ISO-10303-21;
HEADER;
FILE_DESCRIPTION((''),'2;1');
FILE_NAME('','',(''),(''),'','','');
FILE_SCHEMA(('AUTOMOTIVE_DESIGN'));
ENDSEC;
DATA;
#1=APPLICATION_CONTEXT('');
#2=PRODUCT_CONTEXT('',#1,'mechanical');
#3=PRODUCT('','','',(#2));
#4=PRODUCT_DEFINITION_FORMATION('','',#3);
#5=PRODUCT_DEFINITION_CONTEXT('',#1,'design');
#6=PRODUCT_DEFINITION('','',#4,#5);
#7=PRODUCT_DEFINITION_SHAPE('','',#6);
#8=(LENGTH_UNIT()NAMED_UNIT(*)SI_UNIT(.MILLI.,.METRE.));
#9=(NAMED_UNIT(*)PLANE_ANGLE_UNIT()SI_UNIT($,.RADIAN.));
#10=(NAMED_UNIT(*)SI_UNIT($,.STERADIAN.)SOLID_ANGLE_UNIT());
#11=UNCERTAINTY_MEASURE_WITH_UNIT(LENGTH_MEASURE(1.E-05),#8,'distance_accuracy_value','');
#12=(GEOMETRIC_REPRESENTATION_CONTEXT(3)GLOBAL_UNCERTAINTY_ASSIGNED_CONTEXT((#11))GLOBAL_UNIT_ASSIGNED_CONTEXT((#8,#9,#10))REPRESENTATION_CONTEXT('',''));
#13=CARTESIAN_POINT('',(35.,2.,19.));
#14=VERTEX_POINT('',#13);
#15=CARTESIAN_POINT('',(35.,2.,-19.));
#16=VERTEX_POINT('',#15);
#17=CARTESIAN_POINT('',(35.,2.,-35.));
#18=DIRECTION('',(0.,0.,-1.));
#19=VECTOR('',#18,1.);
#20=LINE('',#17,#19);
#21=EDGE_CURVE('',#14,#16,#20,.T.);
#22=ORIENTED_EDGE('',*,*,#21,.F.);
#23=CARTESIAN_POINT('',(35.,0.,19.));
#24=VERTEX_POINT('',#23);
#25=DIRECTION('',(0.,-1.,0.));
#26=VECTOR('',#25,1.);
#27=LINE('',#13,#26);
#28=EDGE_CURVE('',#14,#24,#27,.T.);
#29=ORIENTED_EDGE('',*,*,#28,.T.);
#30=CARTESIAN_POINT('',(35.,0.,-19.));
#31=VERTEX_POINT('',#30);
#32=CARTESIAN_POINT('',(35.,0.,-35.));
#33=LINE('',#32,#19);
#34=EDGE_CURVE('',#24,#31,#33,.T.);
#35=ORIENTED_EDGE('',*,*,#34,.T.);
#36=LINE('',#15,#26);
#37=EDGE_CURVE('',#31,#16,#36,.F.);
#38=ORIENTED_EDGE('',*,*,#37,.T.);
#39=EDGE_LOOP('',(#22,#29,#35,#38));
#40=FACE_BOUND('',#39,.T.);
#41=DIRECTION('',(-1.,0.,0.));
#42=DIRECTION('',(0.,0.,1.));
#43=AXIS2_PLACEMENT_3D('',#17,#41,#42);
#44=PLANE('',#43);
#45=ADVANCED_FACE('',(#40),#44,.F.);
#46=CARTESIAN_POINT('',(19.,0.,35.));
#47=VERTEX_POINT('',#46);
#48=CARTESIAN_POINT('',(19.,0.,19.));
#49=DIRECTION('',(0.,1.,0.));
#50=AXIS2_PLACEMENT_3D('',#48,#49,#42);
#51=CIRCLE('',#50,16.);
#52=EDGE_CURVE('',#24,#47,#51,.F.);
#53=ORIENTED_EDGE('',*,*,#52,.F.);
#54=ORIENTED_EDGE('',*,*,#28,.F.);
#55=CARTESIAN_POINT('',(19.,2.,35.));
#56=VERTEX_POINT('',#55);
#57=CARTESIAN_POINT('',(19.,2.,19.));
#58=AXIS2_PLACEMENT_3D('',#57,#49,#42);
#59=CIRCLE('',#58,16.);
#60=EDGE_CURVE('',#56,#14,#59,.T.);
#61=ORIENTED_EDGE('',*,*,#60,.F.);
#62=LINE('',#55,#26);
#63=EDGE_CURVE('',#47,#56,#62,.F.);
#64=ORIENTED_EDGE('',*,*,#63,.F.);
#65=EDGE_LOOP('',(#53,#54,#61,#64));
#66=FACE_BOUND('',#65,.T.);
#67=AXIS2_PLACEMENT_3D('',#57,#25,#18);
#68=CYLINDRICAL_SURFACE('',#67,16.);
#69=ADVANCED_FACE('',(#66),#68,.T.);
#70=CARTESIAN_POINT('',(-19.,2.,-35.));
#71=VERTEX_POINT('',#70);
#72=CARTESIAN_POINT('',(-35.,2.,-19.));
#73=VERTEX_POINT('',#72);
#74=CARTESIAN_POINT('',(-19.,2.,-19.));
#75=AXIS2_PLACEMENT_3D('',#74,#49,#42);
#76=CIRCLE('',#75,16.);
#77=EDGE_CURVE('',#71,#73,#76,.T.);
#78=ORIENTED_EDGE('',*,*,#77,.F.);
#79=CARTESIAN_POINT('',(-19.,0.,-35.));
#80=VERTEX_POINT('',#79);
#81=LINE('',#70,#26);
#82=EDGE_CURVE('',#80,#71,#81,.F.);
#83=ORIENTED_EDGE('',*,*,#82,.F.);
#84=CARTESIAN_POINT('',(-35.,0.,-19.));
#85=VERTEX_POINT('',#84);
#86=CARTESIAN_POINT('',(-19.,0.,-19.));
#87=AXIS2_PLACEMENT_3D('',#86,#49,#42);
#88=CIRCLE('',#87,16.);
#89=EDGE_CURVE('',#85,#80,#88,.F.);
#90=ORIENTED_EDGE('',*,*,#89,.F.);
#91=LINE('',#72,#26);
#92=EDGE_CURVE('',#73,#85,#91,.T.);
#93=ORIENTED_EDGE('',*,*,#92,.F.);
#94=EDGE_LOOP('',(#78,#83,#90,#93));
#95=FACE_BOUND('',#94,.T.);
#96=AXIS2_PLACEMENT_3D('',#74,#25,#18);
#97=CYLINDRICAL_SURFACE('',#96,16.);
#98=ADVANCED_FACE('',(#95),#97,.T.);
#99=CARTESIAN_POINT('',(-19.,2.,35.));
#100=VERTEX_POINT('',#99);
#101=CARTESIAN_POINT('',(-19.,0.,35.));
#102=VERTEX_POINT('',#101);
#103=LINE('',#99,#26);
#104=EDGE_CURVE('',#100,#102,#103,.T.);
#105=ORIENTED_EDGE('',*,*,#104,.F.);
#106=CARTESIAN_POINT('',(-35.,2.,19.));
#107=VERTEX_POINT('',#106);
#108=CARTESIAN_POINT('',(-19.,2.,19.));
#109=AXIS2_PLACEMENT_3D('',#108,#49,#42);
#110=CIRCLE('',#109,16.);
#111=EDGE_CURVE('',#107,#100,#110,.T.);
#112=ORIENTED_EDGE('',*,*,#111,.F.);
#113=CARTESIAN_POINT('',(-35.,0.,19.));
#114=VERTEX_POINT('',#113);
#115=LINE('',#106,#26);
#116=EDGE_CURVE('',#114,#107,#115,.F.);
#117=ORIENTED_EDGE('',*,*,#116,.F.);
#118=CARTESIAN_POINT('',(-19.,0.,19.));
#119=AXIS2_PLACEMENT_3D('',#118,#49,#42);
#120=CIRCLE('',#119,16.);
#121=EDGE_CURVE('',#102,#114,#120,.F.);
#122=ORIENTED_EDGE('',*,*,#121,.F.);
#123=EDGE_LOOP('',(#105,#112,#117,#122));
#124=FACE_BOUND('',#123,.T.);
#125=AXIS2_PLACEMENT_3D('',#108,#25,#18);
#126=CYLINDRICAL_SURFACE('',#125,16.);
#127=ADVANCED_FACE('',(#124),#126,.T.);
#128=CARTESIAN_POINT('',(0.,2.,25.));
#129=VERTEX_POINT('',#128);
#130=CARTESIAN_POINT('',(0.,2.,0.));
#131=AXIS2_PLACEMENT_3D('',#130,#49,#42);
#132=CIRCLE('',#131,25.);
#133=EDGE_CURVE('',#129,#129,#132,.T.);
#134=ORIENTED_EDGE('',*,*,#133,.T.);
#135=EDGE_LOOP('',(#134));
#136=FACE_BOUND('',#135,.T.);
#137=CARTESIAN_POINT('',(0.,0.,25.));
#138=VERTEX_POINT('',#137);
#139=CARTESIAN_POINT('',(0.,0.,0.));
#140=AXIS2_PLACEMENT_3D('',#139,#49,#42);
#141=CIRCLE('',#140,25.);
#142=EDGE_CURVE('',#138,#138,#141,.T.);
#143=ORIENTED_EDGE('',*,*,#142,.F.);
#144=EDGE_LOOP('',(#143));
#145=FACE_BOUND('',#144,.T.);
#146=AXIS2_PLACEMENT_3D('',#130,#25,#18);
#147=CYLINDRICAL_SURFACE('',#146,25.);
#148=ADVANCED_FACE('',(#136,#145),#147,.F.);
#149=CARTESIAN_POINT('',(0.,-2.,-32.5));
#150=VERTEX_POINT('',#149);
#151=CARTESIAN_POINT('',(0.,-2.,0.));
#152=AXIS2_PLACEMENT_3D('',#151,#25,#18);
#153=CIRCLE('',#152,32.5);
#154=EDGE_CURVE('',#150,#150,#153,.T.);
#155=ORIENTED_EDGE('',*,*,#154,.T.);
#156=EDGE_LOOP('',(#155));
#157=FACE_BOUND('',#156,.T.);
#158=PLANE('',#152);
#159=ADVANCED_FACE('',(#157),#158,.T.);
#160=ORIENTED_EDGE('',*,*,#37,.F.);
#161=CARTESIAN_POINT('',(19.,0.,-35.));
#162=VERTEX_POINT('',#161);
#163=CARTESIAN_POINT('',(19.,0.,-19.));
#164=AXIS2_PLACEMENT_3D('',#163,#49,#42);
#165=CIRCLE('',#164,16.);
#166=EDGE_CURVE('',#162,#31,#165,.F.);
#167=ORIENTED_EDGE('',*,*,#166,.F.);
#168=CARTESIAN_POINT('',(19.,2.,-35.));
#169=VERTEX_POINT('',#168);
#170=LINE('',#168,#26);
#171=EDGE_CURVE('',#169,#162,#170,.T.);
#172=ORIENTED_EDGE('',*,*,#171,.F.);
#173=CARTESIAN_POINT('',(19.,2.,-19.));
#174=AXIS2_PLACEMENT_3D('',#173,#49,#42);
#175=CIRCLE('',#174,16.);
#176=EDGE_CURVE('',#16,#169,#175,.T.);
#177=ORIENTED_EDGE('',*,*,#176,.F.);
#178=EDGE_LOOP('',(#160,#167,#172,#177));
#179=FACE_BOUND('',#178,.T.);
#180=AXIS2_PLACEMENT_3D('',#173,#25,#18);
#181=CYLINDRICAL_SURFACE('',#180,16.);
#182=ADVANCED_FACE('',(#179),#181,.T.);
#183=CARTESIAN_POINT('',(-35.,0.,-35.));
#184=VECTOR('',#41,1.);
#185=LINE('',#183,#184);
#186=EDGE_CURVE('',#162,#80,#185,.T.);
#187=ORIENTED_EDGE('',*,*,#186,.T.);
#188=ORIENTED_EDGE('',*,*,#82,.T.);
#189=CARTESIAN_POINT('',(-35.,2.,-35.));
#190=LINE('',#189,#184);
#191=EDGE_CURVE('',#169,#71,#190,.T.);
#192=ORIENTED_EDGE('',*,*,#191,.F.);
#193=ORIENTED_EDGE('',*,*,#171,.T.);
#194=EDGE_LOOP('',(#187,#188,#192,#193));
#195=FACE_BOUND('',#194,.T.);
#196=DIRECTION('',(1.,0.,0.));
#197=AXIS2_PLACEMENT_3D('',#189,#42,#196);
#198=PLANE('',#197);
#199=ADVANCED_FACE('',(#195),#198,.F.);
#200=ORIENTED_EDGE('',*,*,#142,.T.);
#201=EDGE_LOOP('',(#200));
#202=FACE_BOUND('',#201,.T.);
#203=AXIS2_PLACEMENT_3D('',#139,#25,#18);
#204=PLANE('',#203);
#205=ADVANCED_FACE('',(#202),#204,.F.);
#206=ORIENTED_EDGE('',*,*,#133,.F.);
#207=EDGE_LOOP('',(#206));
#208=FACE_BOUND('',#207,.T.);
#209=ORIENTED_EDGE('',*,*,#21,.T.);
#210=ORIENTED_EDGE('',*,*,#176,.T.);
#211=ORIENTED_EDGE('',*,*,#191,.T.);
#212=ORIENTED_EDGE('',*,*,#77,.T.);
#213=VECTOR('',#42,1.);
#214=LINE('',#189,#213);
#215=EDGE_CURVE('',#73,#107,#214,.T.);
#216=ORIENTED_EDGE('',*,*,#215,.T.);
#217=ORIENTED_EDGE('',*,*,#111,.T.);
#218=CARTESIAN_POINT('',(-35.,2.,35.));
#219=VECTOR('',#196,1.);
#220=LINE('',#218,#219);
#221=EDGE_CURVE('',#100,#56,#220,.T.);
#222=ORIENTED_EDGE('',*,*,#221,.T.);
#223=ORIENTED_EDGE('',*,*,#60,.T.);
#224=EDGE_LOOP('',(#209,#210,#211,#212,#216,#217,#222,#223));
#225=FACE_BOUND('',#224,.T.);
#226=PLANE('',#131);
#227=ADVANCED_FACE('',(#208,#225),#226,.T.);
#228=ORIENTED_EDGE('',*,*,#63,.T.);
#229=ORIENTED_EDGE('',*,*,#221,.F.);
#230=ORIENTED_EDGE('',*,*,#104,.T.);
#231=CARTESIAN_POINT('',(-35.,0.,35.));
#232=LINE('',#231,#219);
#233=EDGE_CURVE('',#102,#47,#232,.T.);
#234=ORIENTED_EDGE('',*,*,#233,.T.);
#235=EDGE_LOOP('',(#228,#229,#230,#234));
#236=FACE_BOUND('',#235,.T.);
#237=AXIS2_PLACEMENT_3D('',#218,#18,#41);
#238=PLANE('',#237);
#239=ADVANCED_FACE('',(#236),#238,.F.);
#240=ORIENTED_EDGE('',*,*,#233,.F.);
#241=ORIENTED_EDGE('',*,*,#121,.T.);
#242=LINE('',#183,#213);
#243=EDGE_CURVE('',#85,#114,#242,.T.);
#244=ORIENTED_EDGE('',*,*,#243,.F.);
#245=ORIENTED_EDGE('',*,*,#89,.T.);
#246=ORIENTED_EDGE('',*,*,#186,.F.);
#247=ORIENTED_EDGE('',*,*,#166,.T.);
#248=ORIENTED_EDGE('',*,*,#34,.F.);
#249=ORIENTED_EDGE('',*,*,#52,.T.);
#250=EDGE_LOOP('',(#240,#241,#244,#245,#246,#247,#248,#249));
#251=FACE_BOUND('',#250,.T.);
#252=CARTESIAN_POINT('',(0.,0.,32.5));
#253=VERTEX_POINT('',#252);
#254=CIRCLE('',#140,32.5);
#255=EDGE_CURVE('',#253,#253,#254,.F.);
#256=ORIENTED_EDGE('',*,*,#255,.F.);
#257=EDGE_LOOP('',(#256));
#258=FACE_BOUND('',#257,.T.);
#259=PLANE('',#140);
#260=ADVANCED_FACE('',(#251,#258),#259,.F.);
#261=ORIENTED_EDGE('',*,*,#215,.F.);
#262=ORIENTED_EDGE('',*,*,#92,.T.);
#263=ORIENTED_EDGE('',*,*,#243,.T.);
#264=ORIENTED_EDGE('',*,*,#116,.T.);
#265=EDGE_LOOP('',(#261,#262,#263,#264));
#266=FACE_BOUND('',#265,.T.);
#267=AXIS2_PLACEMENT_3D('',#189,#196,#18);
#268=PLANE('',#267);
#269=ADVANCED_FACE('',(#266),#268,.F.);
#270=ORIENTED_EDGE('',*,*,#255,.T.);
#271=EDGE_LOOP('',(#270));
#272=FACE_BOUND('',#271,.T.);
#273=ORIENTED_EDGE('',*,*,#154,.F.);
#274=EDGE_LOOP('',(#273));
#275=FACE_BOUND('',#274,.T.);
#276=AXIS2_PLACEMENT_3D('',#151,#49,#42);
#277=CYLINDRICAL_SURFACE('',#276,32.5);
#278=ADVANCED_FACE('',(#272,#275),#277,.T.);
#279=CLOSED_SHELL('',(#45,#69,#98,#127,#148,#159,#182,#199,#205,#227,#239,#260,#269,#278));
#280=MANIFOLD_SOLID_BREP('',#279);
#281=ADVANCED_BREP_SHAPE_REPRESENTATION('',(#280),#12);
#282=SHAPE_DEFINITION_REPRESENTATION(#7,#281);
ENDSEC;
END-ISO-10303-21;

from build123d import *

# Parameters (mm, degrees)
SKETCH1_W           = 70
SKETCH1_H           = 70
SKETCH1_R           = 25
BOSS_EXTRUDE1_DEPTH = 2
FILLET1_R           = 16
SKETCH2_R           = 32.5
BOSS_EXTRUDE2_DEPTH = 2


with BuildPart() as part:
    # Sketch1 → Boss-Extrude1 (new body)
    with BuildSketch(Plane(origin=(0, 0, 0), x_dir=(1, 0, 0), z_dir=(0, 1, 0))):
        Rectangle(SKETCH1_W, SKETCH1_H)
        Circle(SKETCH1_R, mode=Mode.SUBTRACT)
    extrude(amount=BOSS_EXTRUDE1_DEPTH)

    # Fillet1
    fillet1_edges = [part.edges().sort_by_distance(p)[0] for p in [
        (35, 1, 35),
        (-35, 1, 35),
        (-35, 1, -35),
        (35, 1, -35),
    ]]
    fillet(fillet1_edges, radius=FILLET1_R)

    # Sketch2 → Boss-Extrude2 (add)
    with BuildSketch(Plane.XZ):
        Circle(SKETCH2_R)
    extrude(amount=BOSS_EXTRUDE2_DEPTH)


solid = part.part
